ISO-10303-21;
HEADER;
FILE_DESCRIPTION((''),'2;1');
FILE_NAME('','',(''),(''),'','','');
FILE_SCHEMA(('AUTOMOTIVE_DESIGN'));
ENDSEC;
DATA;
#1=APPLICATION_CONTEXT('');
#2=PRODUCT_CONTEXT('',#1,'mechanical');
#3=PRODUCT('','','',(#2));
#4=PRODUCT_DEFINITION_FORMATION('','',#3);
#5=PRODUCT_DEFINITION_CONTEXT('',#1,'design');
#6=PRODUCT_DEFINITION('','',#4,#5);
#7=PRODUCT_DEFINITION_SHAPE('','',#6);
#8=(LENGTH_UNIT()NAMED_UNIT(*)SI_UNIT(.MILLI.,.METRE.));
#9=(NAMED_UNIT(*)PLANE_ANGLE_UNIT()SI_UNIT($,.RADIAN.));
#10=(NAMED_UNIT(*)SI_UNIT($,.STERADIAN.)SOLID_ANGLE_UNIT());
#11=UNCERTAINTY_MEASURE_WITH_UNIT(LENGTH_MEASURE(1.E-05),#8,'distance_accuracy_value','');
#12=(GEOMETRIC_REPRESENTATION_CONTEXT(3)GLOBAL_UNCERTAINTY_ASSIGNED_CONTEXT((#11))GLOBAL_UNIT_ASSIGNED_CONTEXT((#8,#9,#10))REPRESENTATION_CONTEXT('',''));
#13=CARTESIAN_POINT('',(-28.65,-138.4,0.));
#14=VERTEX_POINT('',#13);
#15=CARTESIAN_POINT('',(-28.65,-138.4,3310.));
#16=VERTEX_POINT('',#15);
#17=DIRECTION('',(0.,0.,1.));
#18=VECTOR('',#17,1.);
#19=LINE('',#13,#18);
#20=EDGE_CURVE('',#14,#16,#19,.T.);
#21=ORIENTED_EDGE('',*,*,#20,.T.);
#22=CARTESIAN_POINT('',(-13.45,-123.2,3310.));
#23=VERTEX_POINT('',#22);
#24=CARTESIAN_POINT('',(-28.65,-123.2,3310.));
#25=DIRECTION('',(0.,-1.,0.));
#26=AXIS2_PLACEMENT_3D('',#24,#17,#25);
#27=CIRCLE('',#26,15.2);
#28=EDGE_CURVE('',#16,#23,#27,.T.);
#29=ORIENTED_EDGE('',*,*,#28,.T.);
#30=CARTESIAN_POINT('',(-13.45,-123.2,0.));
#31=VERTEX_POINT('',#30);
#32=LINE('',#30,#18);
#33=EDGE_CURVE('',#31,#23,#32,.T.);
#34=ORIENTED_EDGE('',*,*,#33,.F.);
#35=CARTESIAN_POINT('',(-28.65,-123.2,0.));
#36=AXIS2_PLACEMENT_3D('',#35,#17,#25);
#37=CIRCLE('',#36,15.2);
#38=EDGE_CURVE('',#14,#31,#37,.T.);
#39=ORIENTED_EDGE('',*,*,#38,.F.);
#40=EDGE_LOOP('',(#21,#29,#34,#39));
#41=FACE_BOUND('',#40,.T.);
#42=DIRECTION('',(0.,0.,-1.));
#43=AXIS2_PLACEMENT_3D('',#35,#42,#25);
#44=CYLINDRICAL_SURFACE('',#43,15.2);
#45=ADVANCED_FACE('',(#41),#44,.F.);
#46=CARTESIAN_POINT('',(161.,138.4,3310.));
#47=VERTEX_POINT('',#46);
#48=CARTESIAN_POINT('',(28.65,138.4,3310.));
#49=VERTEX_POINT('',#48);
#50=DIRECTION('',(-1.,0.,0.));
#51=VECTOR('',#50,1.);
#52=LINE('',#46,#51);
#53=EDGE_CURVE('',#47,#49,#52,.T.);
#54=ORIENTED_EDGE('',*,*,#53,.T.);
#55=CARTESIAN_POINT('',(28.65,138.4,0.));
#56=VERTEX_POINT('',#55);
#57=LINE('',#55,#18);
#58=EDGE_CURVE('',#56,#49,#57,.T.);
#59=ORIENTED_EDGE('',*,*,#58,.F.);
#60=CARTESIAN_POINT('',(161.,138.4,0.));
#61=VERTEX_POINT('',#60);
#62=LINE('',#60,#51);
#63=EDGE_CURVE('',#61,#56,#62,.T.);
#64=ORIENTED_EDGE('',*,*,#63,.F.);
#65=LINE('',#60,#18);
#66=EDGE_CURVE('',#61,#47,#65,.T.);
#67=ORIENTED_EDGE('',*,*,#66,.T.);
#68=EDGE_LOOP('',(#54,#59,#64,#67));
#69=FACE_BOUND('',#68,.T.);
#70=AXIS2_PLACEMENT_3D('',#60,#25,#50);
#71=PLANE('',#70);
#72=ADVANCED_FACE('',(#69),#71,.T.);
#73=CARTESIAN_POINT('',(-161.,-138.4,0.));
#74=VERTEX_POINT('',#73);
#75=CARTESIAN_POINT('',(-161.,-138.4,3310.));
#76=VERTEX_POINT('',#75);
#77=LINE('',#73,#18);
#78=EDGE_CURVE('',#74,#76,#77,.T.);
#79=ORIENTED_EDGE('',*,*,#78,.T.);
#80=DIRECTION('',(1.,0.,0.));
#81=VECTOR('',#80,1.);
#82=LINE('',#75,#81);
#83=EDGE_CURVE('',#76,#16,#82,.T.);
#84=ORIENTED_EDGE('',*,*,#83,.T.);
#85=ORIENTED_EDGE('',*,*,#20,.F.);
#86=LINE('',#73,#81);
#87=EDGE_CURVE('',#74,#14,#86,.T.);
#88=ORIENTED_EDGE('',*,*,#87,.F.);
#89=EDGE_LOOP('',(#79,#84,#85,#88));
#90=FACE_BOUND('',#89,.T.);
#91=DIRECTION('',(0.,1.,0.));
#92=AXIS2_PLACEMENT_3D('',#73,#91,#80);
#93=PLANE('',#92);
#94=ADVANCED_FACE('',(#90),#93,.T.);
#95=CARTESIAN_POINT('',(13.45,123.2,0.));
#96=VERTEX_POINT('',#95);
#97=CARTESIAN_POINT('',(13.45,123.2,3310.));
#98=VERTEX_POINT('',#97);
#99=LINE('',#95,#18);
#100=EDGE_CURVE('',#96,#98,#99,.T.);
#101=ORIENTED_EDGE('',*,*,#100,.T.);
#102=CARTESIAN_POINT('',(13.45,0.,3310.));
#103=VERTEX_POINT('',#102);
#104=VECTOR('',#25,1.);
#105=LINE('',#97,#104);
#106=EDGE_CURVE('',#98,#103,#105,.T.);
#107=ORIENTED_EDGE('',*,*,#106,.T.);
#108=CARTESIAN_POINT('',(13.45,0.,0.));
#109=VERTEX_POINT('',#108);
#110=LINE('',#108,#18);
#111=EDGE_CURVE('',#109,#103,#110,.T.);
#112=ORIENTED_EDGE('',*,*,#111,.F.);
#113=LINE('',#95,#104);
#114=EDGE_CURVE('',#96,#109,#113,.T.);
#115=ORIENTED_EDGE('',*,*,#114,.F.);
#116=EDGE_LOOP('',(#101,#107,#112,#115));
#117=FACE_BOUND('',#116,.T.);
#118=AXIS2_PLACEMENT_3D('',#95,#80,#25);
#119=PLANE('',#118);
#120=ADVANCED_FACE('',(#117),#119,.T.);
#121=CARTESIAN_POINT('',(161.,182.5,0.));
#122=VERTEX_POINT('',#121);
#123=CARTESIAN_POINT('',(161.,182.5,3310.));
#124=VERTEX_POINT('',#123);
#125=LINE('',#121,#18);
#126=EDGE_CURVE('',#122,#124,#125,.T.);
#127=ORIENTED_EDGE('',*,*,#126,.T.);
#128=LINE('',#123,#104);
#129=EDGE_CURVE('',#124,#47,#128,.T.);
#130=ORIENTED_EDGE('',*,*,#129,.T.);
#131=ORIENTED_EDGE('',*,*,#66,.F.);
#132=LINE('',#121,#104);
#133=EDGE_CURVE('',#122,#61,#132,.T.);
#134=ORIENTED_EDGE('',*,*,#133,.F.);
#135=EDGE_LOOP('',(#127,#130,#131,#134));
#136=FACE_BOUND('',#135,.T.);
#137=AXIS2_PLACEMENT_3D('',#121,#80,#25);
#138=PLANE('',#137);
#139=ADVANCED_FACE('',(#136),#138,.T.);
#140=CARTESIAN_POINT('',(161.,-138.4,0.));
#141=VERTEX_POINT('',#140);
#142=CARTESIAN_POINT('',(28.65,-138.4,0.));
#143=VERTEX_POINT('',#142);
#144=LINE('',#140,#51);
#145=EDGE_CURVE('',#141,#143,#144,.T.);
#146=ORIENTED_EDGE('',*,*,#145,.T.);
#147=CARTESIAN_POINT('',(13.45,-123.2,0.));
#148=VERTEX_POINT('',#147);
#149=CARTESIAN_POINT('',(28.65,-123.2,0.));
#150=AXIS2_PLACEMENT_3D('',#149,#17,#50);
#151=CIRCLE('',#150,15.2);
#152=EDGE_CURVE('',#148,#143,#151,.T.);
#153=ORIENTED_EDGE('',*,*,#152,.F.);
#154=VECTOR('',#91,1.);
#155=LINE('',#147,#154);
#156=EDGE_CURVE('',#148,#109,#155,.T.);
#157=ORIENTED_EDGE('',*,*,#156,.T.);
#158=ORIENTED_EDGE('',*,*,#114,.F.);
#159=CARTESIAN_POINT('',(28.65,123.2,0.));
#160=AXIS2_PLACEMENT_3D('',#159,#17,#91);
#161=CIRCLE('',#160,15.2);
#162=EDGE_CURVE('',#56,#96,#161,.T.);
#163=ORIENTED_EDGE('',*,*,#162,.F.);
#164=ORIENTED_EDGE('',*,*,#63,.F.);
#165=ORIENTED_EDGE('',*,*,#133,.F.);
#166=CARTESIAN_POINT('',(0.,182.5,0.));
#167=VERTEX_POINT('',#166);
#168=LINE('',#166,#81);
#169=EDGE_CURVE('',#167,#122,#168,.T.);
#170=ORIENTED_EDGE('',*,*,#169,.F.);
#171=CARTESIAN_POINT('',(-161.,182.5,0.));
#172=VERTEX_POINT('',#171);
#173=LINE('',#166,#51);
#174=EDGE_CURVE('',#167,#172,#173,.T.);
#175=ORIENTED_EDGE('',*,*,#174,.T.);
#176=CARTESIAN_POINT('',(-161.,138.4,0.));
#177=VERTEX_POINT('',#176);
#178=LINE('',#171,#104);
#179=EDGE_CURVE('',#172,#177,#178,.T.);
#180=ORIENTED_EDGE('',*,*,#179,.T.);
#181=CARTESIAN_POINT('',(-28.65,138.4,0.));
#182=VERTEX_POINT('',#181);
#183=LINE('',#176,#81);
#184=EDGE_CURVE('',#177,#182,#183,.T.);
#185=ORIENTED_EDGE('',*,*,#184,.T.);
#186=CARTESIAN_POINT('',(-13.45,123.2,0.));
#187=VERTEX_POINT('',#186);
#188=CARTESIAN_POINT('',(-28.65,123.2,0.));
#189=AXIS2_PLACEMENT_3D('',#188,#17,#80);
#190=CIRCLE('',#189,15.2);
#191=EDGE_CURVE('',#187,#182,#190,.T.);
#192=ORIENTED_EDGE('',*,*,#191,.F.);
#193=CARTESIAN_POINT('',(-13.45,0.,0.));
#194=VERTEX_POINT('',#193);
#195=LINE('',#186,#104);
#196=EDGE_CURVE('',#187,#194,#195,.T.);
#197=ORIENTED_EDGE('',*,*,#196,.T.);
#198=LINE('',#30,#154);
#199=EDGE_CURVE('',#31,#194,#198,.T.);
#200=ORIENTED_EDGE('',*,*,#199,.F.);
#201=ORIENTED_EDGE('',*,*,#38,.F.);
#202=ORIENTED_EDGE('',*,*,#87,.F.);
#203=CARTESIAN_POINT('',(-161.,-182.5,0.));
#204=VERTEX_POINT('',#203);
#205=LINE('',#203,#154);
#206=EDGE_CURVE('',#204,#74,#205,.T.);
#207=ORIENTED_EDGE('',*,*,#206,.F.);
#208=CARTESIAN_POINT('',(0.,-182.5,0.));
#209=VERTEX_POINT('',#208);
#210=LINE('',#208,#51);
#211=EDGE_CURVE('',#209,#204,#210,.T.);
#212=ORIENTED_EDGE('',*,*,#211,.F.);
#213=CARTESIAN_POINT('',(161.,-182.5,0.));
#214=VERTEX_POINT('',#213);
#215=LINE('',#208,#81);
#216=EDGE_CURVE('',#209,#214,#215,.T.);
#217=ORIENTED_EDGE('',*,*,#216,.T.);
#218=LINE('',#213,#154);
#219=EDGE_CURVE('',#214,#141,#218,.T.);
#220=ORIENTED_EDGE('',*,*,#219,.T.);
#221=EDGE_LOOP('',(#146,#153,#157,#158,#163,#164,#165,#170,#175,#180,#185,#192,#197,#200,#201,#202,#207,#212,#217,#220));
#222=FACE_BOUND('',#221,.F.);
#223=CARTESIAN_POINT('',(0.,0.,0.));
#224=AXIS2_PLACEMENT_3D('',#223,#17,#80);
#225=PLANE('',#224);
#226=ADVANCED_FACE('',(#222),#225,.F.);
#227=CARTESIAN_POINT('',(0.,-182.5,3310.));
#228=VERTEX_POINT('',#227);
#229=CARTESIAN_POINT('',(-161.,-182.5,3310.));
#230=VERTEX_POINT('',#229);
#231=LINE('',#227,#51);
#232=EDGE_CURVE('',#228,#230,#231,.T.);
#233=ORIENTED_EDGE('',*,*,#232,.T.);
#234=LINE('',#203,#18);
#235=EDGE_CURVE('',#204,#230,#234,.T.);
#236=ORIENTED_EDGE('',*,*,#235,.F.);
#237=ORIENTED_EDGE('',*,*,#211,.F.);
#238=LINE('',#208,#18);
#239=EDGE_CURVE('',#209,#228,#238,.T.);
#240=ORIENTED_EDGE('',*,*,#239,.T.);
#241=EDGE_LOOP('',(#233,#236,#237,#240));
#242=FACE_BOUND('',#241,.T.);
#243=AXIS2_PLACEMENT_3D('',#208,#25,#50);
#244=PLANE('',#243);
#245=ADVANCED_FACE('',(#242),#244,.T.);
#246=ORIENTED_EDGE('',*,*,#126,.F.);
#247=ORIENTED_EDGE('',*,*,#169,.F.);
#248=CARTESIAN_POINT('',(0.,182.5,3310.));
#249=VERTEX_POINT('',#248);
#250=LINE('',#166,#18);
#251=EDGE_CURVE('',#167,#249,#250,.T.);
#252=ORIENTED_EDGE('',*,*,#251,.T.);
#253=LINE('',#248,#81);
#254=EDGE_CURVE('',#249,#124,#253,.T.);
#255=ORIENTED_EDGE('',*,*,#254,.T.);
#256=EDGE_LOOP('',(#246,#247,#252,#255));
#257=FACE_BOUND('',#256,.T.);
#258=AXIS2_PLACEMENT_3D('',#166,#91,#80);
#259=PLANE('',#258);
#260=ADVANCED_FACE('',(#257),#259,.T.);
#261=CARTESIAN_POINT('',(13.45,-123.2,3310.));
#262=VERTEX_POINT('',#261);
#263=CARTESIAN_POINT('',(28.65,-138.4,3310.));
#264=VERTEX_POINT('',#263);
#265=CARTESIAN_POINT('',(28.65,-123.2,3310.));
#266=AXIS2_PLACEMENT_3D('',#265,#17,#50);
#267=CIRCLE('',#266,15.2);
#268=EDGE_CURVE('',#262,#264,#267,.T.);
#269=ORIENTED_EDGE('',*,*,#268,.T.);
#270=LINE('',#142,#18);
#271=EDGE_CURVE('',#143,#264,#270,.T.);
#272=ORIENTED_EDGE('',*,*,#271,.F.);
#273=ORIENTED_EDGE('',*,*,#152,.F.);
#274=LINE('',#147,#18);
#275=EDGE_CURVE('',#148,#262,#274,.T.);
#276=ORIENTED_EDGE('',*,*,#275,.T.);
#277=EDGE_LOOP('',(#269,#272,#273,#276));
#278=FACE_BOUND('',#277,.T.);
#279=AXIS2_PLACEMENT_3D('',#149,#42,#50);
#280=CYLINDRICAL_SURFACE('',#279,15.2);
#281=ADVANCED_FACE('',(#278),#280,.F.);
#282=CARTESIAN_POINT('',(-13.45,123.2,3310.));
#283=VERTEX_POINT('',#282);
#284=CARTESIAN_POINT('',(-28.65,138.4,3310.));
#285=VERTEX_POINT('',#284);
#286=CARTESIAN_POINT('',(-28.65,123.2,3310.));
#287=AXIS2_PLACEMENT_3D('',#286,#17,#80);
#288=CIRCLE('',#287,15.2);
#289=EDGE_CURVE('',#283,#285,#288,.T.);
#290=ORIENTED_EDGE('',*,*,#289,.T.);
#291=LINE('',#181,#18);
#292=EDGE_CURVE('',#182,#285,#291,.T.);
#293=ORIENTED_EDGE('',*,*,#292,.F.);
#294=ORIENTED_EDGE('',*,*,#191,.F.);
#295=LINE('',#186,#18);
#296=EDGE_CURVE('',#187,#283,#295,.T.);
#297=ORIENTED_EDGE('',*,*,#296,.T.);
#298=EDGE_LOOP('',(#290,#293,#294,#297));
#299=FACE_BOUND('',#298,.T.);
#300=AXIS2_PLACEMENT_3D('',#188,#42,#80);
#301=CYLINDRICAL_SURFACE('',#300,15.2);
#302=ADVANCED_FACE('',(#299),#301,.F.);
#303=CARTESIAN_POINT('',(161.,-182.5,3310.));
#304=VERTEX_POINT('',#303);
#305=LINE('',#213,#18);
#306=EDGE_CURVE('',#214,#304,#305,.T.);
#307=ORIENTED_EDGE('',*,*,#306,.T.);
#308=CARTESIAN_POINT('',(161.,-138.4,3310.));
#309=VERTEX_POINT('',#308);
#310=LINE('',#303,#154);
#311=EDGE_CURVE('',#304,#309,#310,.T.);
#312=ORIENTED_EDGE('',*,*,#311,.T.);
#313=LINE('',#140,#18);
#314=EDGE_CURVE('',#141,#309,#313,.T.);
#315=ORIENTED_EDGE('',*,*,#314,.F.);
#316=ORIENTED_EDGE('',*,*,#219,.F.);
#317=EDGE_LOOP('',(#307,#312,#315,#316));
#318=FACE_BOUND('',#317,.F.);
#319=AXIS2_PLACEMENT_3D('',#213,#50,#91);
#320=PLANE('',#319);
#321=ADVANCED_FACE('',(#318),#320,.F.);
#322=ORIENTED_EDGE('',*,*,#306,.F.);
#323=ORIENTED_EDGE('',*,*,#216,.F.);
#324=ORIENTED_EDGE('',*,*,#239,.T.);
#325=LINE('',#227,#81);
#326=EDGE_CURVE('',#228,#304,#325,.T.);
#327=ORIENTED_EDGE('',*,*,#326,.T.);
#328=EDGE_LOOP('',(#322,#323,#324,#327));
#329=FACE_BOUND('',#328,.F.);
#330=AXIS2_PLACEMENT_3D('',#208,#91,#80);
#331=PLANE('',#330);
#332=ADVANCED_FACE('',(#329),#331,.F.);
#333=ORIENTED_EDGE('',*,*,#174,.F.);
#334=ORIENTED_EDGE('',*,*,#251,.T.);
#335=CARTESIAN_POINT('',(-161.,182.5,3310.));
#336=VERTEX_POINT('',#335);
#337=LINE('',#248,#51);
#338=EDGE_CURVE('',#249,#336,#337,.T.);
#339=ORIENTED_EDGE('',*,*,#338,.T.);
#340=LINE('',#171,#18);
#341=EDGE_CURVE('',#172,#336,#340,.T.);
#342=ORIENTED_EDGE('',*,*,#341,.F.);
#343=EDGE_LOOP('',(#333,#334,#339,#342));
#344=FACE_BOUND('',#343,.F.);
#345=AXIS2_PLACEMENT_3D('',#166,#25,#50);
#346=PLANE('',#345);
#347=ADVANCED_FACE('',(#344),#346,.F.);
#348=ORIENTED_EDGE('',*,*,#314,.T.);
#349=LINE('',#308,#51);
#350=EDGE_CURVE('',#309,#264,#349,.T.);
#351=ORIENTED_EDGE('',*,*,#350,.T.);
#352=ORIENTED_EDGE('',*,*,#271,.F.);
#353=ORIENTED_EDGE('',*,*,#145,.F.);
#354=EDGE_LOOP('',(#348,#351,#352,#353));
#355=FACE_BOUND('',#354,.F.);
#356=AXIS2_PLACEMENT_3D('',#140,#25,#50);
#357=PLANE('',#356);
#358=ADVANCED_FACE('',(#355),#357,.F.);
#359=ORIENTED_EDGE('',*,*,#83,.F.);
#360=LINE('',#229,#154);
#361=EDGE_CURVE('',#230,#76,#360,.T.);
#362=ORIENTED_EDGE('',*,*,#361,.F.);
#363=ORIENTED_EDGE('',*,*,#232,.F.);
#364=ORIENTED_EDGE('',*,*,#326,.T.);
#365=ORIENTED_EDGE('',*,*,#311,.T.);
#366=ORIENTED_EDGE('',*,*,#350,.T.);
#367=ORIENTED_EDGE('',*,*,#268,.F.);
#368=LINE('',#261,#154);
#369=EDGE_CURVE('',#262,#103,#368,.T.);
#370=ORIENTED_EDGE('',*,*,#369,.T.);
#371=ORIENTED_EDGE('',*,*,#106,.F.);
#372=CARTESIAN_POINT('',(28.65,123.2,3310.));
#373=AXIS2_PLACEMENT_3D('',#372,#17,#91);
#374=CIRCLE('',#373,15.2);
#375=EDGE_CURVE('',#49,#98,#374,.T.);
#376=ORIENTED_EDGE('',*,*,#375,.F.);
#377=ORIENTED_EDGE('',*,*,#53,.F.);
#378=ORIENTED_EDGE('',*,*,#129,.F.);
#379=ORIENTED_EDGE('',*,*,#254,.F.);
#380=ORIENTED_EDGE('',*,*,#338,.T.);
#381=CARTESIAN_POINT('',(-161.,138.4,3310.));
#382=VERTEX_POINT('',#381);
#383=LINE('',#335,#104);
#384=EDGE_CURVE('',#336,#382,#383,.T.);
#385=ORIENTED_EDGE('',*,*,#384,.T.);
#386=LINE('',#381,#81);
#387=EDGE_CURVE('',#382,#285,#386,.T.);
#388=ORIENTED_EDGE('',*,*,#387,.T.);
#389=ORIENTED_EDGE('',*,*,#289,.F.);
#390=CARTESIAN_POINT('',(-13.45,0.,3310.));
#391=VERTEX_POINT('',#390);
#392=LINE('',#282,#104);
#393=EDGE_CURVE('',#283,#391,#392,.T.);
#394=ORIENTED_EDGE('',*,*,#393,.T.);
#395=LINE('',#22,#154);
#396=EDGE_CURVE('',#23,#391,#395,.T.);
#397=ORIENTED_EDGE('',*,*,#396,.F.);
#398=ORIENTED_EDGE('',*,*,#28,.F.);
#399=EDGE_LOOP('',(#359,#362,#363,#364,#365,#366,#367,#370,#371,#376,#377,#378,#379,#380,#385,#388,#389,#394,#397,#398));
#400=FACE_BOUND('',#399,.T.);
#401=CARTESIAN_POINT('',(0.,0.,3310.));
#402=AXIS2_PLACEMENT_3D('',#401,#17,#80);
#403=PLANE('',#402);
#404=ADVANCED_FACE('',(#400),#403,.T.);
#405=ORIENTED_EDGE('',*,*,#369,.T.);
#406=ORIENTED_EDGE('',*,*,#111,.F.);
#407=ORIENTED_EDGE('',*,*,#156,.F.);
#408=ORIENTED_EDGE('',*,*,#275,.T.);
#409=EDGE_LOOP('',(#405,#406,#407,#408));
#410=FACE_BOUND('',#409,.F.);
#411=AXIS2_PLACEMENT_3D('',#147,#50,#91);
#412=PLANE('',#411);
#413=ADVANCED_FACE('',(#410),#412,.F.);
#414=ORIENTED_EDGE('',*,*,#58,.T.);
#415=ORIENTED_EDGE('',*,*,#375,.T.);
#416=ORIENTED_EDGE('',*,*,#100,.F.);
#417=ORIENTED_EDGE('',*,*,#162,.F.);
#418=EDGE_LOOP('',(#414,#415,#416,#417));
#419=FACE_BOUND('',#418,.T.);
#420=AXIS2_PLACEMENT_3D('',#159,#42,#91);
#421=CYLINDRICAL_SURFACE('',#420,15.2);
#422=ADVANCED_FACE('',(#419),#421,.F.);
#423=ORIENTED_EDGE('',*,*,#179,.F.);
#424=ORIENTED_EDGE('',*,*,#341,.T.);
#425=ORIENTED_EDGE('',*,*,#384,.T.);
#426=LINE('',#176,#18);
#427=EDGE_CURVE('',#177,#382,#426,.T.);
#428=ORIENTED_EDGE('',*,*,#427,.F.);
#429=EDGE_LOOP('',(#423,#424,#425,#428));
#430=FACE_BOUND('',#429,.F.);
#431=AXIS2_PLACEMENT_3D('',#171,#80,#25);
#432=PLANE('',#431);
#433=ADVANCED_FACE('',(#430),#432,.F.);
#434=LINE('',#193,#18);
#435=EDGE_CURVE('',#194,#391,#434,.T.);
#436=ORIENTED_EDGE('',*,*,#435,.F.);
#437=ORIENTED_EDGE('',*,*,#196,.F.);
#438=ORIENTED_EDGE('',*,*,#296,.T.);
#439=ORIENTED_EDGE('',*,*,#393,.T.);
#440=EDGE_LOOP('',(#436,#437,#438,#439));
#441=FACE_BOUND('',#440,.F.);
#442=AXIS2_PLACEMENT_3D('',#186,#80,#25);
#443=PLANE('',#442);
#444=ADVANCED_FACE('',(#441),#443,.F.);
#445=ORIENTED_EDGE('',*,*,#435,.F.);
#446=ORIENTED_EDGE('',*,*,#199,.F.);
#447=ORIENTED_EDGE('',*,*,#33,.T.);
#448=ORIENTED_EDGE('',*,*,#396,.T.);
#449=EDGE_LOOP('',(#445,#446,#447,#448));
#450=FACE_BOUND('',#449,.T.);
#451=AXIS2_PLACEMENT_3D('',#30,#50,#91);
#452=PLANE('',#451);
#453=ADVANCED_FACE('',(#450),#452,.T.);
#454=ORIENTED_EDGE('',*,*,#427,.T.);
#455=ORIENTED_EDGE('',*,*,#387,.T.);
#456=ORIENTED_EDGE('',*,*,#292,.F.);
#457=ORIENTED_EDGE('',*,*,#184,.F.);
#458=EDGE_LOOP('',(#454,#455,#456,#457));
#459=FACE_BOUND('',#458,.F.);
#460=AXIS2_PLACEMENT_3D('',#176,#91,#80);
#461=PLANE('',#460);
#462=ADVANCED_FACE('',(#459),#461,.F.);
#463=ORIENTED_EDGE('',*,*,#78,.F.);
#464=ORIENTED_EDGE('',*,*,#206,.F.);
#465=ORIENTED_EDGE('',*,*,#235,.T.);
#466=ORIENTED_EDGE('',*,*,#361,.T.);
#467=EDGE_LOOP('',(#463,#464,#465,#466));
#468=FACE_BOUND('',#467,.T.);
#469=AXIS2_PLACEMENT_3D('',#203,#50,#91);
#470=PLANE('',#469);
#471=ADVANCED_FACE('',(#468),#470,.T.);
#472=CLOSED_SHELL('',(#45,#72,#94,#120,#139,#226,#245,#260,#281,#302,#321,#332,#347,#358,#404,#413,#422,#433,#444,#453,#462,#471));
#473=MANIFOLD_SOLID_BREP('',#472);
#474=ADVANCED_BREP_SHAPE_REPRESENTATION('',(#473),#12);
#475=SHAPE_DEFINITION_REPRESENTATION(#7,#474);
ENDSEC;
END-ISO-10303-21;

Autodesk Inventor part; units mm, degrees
ref_plane "YZ Plane" through (0, 0, 0) normal (1, 0, 0) x (0, 1, 0)
ref_plane "Start plane" through (0, 0, 0) normal (0, 0, 1) x (1, 0, 0)
ref_plane "End plane" through (0, 0, 3310) normal (0, 0, 1) x (1, 0, 0)
sketch "Sketch" plane through (0, 0, 0) normal (0, 0, 1) x (1, 0, 0)
  line L0 (-161, -182.5) -> (-161, -138.4)
  line L1 (-161, -138.4) -> (-28.65, -138.4)
  line L2 (-13.45, -123.2) -> (-13.45, 0)
  line L3 (-13.45, 0) -> (0, 0) construction
  line L4 (0, 0) -> (0, -182.5) construction
  line L5 (0, -182.5) -> (-161, -182.5)
  line L6 (-60, 0) -> (80, 0) construction
  line L7 (0, -60) -> (0, 80) construction
  line L8 (161, -182.5) -> (161, -138.4)
  line L9 (161, -138.4) -> (28.65, -138.4)
  line L10 (13.45, -123.2) -> (13.45, 0)
  line L11 (13.45, 0) -> (0, 0) construction
  line L12 (0, -182.5) -> (161, -182.5)
  line L13 (-161, 182.5) -> (-161, 138.4)
  line L14 (-161, 138.4) -> (-28.65, 138.4)
  line L15 (-13.45, 123.2) -> (-13.45, 0)
  line L16 (0, 182.5) -> (-161, 182.5)
  line L17 (161, 182.5) -> (161, 138.4)
  line L18 (161, 138.4) -> (28.65, 138.4)
  line L19 (0, 182.5) -> (161, 182.5)
  line L20 (13.45, 123.2) -> (13.45, 0)
  arc A0 (-13.45, 123.2) -> (-28.65, 138.4) centre (-28.65, 123.2) ccw
  arc A1 (28.65, 138.4) -> (13.45, 123.2) centre (28.65, 123.2) ccw
  arc A2 (13.45, -123.2) -> (28.65, -138.4) centre (28.65, -123.2) ccw
  arc A3 (-28.65, -138.4) -> (-13.45, -123.2) centre (-28.65, -123.2) ccw
  line L21 (0, 108) -> (0, -88) construction
  line L22 (-88, 0) -> (108, 0) construction
  point P0 (-13.45, -138.4)
  point P1 (13.45, -138.4)
  point P2 (-13.45, 138.4)
  point P3 (13.45, 138.4)
  dimension "d1" = 182.5
  dimension "d2" = 44.1
  dimension "d3" = 161
  dimension "d4" = 13.45
  dimension "d10" = 15.2
extrude "Body" add sketch "Sketch" along normal up to surface (3310 mm away) from surface at 0
sketch "Sketch4" plane through (0, 0, 0) normal (0, 0, 1) x (1, 0, 0)
  line L0 (0, 0) -> (10, 0)
ref_plane "Work Plane3" through (0, 0, 0) normal (0, -1, 0) x (1, 0, 0)
sketch "Sketch5" plane through (0, 0, 0) normal (0, -1, 0) x (1, 0, 0)
  line L0 (-2, 0) -> (12, 0) projected
  line L1 (-2, 3310) -> (12, 3310) projected
  dimension "d14" = 3310
equation "\"d1\" = 0.5 * G_H"
equation "\"d2\" = G_T1"
equation "\"d3\" = 0.5 * G_W"
equation "\"d4\" = 0.5 * G_T"
equation "\"d10\" = G_IR"
equation "\"d5\" = G_L"
equation "\"G_W\" = 322"
equation "\"G_H\" = 365"
equation "\"G_T\" = 26.9"
equation "\"G_T1\" = 44.1"
equation "\"G_IR\" = 15.2"
equation "\"G_L\" = d14"
equation "\"G_OFFSET_START\" = 0"
equation "\"G_OFFSET_END\" = 0"
properties part number "AS 3679 - 310 UC - 283 - 3310" material "Steel, Mild"
